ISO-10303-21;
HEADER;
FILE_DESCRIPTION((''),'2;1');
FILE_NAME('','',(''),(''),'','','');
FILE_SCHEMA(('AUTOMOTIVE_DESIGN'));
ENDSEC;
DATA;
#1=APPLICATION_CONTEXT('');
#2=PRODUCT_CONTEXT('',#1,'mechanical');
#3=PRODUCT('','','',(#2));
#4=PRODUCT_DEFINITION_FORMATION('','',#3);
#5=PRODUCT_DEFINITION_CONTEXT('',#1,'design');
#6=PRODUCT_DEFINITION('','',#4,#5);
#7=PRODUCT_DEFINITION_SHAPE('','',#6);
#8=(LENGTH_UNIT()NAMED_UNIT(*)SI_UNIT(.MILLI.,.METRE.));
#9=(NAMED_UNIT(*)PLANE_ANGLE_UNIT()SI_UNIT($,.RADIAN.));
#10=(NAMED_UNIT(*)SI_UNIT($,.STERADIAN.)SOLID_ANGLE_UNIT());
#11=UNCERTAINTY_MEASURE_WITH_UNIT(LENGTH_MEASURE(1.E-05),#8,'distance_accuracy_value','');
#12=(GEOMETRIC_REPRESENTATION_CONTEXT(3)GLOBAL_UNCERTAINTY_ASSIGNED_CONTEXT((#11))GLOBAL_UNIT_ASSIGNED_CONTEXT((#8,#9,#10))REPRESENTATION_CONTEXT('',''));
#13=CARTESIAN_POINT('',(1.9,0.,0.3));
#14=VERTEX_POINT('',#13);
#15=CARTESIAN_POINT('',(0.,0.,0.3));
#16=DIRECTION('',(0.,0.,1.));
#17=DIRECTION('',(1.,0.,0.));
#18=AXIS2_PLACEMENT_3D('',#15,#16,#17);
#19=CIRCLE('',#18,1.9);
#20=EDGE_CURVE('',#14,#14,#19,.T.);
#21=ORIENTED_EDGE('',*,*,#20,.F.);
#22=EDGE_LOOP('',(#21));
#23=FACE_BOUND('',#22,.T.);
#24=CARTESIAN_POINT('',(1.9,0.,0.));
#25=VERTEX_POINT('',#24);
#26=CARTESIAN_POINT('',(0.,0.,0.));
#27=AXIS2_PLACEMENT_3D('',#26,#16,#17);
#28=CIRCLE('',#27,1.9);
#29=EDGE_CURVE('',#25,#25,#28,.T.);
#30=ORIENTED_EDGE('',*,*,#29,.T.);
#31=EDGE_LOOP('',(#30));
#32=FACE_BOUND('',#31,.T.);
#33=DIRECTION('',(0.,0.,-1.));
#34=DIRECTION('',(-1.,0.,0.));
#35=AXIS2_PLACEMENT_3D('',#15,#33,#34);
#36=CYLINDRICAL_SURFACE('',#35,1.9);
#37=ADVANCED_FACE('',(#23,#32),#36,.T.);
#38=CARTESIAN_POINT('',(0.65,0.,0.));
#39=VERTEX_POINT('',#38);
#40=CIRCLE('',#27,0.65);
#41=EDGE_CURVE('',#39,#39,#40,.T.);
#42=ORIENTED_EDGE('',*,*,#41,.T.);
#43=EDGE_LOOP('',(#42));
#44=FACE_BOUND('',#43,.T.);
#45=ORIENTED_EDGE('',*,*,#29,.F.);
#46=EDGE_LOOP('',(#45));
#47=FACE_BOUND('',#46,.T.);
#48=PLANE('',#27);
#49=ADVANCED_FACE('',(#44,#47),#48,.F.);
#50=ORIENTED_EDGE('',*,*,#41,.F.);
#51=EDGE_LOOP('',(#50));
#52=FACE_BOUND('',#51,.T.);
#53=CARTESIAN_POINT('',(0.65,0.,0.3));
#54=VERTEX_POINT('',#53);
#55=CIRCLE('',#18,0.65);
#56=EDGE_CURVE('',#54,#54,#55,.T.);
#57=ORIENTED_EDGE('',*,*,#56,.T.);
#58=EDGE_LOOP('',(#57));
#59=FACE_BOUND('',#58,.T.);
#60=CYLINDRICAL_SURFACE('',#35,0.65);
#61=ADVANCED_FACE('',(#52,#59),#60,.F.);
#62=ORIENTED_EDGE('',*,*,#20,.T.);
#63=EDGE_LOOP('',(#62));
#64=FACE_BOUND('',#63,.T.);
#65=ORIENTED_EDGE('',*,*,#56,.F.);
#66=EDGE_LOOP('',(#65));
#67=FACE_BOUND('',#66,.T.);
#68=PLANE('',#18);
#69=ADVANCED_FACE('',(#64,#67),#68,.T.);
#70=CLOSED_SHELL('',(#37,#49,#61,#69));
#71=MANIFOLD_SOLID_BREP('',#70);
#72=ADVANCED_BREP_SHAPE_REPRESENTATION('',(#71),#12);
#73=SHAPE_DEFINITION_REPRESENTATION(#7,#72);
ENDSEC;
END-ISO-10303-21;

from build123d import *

# Parameters (mm, degrees)
TOP_SKETCH_R            = 1.9
TOP_SKETCH_R_2          = 0.65
EXTRUDE_THICKNESS_DEPTH = 0.3


with BuildPart() as part:
    # Top Sketch → Extrude Thickness (new body)
    with BuildSketch(Plane.XY):
        Circle(TOP_SKETCH_R)
        Circle(TOP_SKETCH_R_2, mode=Mode.SUBTRACT)
    extrude(amount=EXTRUDE_THICKNESS_DEPTH)


solid = part.part
